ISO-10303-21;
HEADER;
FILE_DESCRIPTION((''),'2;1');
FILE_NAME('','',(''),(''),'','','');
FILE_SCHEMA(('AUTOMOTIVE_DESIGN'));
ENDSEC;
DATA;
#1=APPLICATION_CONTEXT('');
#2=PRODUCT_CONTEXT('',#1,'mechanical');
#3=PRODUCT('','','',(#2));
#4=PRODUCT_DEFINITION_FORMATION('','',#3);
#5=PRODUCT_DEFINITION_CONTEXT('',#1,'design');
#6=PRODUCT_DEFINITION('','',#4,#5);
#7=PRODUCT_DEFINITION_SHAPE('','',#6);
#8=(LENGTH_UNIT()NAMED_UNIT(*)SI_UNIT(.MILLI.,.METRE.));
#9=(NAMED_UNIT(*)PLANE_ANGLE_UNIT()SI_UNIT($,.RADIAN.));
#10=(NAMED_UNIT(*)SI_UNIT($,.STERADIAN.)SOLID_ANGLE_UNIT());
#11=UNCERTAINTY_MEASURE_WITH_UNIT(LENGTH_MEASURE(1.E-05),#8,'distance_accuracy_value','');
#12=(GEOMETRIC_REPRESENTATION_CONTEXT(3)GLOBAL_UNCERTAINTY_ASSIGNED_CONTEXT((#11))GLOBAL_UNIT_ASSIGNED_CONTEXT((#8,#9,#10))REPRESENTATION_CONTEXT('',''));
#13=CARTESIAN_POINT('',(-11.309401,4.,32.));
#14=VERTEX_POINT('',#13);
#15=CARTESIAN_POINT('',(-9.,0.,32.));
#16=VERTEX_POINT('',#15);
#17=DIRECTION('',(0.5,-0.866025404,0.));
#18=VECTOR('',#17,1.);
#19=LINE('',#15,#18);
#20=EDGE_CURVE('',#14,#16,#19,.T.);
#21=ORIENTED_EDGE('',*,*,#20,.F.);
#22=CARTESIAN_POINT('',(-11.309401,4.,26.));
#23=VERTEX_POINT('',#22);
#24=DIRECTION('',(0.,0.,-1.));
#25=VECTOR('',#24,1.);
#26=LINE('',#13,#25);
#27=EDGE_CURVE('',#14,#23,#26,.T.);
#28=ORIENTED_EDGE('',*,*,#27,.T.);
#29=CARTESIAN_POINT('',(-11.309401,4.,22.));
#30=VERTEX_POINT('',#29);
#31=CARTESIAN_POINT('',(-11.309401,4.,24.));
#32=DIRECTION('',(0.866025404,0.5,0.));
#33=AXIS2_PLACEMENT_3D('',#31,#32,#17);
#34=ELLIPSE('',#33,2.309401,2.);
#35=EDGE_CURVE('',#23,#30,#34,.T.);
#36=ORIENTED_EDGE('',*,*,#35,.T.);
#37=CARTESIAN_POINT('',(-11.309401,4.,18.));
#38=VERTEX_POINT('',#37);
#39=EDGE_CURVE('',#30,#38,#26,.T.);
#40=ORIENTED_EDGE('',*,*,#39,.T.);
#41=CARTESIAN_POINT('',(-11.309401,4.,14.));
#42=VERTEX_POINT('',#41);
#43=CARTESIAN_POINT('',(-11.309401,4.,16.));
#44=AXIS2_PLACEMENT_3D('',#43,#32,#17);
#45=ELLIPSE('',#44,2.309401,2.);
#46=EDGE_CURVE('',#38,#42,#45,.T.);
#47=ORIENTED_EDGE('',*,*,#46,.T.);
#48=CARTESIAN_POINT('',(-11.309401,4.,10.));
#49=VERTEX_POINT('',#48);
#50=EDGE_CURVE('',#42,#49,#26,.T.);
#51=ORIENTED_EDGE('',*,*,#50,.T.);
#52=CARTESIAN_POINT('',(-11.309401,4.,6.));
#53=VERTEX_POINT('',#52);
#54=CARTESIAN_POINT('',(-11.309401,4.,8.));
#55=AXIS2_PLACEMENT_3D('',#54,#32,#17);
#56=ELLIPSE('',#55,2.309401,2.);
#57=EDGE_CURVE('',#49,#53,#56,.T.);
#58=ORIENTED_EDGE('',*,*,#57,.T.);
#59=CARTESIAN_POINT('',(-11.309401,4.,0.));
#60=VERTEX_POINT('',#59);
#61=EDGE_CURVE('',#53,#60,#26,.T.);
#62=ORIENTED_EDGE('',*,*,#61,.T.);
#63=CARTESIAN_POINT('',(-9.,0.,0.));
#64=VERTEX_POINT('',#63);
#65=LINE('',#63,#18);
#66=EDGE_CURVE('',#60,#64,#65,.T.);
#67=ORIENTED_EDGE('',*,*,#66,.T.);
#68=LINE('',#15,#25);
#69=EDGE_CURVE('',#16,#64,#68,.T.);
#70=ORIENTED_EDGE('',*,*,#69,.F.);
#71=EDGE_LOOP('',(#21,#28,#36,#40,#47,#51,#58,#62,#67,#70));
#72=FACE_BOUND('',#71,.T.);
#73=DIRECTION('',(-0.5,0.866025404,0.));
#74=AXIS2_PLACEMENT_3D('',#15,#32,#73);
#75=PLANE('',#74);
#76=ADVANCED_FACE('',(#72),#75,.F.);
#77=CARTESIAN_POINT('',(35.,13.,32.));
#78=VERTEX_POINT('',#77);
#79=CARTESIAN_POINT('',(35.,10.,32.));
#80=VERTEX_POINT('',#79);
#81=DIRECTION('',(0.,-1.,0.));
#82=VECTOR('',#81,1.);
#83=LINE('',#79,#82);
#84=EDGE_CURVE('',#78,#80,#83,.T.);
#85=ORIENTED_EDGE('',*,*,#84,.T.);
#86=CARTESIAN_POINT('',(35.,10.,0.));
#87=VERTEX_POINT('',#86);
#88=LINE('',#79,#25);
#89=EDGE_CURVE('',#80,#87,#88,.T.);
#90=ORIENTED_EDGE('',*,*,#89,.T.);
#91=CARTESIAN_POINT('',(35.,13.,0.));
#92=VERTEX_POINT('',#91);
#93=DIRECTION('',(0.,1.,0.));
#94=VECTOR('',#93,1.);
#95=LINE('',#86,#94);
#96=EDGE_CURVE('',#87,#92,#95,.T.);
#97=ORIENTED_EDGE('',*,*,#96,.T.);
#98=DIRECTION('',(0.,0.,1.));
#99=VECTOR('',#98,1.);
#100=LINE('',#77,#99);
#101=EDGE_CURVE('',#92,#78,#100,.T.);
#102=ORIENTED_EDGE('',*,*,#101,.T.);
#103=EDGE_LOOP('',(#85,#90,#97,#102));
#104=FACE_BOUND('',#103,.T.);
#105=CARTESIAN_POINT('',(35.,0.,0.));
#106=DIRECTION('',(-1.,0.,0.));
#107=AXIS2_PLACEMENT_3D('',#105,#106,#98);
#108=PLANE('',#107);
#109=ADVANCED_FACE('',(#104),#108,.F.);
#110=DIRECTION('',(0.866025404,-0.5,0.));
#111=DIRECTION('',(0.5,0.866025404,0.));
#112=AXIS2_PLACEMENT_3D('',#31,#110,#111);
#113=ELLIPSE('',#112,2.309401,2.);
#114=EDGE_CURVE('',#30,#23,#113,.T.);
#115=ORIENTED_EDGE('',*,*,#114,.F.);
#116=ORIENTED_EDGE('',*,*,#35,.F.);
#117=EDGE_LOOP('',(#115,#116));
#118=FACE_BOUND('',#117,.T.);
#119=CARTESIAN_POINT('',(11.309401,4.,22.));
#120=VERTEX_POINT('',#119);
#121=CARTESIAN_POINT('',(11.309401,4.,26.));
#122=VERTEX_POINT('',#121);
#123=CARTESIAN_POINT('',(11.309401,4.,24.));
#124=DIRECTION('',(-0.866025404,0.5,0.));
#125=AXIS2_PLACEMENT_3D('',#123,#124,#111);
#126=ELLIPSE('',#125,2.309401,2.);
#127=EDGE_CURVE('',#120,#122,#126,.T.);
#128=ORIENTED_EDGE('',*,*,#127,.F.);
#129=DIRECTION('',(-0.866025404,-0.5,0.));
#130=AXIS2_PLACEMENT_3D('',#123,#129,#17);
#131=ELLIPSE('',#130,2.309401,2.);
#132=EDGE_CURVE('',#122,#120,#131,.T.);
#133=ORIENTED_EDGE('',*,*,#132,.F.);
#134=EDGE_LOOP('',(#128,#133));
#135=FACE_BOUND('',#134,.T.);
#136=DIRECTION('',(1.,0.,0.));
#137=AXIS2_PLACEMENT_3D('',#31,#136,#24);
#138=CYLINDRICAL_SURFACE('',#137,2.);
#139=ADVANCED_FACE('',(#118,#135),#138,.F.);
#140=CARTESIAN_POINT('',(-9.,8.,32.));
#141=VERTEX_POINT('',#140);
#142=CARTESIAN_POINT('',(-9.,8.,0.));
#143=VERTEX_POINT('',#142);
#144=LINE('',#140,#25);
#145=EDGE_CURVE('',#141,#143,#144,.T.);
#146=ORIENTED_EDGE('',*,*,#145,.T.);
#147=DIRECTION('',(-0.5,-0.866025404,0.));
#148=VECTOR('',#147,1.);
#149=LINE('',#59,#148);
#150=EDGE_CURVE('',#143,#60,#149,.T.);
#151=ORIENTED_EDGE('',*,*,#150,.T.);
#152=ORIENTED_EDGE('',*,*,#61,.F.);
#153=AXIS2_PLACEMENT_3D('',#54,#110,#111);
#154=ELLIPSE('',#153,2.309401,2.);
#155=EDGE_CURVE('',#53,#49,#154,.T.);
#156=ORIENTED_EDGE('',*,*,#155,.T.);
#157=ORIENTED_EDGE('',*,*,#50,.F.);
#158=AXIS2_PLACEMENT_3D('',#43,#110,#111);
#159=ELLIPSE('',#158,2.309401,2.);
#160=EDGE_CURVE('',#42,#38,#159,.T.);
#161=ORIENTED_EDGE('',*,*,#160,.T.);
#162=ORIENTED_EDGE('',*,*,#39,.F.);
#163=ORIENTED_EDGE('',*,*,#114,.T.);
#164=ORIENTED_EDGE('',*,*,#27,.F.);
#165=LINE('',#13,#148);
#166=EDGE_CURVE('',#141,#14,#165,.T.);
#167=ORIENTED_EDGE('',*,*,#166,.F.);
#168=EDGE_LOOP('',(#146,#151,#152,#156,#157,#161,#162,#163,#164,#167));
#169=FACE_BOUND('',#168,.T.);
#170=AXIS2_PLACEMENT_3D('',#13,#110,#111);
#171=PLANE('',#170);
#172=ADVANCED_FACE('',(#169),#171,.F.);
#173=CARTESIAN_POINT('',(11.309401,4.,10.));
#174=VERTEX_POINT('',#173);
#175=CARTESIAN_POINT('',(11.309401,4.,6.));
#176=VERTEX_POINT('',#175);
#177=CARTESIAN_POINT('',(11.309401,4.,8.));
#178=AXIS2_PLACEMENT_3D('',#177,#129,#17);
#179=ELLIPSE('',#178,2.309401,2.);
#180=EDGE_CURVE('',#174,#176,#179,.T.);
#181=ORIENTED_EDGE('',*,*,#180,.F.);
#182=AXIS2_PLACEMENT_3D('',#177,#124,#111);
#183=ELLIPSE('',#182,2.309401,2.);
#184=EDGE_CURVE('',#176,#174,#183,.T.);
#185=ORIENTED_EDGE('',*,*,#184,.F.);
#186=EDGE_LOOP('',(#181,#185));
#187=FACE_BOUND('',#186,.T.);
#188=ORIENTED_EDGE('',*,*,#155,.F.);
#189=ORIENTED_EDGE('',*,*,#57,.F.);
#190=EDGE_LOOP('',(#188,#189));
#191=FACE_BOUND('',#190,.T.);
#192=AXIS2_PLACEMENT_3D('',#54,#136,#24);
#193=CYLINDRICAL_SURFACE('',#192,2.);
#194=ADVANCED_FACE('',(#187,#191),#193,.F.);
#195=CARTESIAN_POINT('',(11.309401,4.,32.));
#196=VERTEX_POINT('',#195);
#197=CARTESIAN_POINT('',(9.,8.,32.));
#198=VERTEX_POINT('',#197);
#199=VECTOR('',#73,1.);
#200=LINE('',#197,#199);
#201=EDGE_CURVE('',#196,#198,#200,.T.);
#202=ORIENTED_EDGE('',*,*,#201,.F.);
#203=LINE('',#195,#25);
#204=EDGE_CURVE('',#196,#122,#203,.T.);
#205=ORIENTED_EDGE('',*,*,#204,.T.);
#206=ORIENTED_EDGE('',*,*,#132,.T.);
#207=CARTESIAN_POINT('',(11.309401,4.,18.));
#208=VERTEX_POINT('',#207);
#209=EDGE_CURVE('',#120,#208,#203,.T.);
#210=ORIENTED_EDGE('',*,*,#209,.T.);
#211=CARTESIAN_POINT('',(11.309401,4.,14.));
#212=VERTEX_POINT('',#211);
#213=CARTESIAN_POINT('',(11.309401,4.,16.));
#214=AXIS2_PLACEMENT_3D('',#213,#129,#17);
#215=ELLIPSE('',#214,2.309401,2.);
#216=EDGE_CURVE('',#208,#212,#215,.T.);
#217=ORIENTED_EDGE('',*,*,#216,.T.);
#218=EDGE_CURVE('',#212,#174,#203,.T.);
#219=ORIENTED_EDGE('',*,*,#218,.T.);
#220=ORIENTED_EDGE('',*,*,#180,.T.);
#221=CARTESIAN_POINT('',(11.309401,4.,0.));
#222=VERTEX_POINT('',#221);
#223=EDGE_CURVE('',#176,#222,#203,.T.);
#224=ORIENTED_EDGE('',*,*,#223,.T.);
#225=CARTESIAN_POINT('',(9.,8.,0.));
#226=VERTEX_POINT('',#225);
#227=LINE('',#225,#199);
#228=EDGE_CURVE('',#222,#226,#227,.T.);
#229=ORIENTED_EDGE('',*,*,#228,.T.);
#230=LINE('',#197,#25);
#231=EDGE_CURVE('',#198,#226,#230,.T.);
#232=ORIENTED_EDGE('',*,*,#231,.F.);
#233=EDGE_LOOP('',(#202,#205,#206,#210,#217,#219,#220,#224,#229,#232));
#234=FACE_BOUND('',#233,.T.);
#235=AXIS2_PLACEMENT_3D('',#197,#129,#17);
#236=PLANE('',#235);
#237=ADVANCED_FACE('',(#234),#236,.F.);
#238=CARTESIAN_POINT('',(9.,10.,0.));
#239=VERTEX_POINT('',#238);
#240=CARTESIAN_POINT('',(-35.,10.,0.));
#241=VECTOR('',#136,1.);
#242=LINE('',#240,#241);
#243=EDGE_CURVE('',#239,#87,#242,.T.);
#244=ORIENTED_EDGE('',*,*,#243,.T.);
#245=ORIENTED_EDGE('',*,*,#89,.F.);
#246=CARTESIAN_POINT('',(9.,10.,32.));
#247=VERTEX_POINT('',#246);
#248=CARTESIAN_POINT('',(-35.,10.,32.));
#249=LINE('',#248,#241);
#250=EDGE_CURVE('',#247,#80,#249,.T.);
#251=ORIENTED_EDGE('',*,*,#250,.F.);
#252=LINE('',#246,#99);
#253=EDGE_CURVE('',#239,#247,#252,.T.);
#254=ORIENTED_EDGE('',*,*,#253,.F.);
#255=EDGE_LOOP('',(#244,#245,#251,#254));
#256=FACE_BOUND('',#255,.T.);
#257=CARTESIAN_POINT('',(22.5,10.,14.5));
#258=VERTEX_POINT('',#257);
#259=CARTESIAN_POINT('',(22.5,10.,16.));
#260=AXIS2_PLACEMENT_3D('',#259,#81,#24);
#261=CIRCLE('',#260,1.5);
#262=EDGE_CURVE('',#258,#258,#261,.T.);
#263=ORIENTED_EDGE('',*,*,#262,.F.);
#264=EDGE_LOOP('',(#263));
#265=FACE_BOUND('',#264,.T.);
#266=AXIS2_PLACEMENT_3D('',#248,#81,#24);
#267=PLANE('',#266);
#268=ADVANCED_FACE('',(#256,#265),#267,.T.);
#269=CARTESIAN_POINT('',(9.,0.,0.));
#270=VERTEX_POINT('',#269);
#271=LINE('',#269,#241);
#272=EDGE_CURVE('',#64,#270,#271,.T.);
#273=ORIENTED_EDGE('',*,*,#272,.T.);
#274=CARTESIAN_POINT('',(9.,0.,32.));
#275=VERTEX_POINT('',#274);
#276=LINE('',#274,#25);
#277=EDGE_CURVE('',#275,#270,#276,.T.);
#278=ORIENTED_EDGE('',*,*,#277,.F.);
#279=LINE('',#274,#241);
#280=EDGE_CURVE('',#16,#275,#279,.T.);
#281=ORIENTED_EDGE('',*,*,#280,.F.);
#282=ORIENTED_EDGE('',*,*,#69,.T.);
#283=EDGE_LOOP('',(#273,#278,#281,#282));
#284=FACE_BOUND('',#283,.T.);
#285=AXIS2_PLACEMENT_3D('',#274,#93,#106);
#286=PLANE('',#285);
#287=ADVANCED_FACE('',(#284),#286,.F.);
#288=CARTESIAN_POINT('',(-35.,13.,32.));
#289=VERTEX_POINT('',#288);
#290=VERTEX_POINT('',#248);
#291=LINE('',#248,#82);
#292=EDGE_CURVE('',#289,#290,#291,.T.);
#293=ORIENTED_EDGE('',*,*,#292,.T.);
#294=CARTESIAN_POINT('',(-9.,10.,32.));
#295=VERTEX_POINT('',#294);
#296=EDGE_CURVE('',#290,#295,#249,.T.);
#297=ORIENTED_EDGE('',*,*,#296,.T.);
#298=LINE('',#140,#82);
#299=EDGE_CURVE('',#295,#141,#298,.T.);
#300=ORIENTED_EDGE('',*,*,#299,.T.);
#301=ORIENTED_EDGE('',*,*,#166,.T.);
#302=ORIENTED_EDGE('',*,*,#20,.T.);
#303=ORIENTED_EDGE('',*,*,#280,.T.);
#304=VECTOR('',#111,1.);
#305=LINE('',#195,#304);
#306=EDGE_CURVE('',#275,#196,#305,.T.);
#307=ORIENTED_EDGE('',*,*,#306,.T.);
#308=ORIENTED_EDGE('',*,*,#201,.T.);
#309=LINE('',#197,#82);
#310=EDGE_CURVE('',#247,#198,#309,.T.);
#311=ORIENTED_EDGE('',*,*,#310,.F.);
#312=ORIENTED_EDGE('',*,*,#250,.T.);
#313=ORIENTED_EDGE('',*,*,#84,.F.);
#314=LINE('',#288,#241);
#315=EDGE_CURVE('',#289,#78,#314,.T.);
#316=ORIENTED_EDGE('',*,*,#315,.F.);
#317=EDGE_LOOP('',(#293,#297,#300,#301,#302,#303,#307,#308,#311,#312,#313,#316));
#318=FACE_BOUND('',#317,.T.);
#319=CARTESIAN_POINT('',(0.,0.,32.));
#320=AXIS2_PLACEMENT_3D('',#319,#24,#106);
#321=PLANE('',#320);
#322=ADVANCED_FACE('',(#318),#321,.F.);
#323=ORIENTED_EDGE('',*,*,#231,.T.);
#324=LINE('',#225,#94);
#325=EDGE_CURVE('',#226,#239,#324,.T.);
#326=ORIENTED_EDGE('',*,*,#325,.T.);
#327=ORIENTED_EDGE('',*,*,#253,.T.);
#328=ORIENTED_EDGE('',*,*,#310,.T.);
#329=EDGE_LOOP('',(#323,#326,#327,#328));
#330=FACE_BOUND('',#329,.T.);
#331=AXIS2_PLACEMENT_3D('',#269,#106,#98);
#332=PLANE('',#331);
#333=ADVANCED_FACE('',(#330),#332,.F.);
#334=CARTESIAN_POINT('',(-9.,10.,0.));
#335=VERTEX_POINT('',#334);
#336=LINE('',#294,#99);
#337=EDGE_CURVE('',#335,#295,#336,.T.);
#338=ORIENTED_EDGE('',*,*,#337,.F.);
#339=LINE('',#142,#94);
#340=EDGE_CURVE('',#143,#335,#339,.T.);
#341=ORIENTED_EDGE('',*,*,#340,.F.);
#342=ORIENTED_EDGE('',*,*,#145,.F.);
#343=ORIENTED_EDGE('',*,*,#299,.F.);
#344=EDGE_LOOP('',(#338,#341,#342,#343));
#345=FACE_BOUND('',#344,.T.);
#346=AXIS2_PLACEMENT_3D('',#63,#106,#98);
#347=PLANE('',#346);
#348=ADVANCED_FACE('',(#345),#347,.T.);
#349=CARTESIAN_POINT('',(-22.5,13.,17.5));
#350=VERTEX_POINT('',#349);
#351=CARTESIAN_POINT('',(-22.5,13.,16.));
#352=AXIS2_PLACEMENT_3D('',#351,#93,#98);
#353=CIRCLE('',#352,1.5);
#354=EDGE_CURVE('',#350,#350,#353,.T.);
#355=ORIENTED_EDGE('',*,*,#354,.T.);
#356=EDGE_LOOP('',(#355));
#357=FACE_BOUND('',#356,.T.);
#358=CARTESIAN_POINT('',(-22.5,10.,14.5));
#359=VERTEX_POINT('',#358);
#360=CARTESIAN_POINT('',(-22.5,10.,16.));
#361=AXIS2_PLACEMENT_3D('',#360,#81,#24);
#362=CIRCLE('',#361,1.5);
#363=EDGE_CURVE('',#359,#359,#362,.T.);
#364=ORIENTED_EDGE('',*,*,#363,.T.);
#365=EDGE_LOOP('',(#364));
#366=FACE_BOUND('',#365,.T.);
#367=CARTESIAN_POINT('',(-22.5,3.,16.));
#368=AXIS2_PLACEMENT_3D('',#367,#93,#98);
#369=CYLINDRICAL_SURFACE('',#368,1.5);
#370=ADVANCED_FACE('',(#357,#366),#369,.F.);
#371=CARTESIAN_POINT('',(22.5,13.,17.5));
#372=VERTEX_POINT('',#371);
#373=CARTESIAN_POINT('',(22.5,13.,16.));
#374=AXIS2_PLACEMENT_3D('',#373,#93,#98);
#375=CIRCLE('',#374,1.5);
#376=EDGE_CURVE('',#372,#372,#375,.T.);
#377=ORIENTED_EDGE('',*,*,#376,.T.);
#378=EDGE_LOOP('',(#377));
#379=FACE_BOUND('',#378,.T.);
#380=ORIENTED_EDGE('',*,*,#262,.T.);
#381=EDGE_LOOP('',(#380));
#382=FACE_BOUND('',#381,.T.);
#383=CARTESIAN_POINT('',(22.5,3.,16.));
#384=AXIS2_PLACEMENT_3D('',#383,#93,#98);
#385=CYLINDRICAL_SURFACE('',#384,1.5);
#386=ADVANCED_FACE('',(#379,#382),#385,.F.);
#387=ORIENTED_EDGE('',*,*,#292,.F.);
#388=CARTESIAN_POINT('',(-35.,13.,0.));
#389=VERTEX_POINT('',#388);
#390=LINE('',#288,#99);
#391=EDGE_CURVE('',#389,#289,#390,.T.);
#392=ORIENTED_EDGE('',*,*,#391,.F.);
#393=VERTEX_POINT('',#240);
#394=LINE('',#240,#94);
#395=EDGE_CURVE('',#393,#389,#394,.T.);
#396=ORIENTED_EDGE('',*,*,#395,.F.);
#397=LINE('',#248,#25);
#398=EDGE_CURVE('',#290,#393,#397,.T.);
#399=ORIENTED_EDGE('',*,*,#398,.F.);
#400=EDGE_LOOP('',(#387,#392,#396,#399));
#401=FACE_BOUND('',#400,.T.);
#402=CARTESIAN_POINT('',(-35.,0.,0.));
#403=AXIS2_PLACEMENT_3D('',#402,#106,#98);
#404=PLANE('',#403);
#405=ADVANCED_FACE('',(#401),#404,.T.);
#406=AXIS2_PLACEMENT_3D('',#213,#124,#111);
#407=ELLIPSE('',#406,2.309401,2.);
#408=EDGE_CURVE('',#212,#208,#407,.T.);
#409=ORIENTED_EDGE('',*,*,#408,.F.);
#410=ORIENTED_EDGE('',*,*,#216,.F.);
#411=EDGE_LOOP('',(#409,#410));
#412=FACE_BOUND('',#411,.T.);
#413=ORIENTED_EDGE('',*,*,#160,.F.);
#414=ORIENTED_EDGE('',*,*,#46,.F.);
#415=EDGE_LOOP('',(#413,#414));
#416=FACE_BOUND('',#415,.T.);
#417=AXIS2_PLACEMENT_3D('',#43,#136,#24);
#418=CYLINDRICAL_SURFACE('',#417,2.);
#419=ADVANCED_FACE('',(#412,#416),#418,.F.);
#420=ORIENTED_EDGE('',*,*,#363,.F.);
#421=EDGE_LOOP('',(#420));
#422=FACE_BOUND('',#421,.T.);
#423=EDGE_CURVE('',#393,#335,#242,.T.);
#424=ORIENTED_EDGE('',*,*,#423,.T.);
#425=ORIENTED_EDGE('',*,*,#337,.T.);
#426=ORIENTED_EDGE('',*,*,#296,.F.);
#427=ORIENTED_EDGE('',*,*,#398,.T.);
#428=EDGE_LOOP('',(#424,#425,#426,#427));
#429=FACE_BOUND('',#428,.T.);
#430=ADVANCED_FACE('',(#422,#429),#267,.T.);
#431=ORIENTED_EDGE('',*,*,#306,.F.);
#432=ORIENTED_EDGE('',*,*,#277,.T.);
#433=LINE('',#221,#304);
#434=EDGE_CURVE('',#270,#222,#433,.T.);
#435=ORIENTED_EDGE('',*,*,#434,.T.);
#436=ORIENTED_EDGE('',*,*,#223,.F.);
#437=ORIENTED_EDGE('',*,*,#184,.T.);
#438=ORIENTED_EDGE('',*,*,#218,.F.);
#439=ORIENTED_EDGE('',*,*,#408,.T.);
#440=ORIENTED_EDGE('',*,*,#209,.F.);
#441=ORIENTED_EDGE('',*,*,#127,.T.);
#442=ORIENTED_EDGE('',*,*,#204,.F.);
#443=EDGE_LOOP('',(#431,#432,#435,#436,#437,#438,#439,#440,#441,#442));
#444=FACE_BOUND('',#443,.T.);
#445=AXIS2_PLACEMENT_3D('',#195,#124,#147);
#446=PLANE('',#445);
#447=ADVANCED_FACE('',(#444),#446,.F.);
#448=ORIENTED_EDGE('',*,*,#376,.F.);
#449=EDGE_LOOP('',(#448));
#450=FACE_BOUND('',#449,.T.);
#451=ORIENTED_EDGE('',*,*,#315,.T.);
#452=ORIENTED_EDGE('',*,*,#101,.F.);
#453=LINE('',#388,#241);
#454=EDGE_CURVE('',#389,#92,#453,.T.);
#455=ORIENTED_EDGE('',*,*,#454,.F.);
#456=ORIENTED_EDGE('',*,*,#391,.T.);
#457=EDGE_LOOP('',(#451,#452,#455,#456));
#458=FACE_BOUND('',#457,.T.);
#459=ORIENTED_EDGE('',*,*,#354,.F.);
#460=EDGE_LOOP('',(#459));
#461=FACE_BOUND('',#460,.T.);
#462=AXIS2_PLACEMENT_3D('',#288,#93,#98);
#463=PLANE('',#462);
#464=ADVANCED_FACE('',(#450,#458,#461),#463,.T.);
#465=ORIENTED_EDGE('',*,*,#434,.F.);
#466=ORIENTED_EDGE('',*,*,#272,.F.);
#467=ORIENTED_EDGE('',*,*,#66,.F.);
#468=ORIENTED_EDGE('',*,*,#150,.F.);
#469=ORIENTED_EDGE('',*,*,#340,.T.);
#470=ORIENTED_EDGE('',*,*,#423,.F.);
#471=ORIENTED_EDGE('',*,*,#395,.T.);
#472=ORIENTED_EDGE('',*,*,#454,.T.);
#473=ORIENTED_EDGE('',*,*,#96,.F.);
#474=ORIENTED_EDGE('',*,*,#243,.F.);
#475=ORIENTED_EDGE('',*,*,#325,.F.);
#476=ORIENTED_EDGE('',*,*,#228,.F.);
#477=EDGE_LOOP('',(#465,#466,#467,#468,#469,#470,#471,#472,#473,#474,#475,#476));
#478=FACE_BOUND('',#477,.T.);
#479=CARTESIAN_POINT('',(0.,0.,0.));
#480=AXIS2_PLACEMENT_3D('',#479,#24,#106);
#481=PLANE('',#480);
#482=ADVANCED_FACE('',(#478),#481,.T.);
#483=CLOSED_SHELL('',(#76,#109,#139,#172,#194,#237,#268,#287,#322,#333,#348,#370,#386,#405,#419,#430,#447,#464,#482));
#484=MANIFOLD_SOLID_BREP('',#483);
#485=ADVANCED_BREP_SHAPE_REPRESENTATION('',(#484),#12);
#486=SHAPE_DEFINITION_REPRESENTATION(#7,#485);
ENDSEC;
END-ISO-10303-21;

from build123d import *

# Parameters (mm, degrees)
BOSS_EXTRUDE1_DEPTH      = 32
SKETCH2_R                = 2
CUT_EXTRUDE1_DEPTH       = 35.869794274
LPATTERN1_COUNT          = 3
LPATTERN1_PITCH          = 8
BOSS_EXTRUDE2_DEPTH      = 9
BOSS_EXTRUDE2_DEPTH_BACK = 9
SKETCH3_W                = 32
SKETCH3_H                = 2
BOSS_EXTRUDE3_DEPTH      = 35
BOSS_EXTRUDE3_DEPTH_BACK = 35
SKETCH4_W                = 32
SKETCH4_H                = 3
SKETCH5_R                = 1.5
CUT_EXTRUDE2_DEPTH       = 10


with BuildPart() as part:
    # Sketch1 → Boss-Extrude1 (new body)
    with BuildSketch(Plane.XY):
        Polygon((9, 0), (-9, 0), (-11.309401077, 4), (-9, 8), (9, 8), (11.309401077, 4), align=None)
    extrude(amount=BOSS_EXTRUDE1_DEPTH)

    # Sketch2 → Cut-Extrude1 (cut, symmetric)
    with BuildSketch(Plane(origin=(0, 0, 0), x_dir=(0, 0, -1), z_dir=(1, 0, 0))):
        with Locations((-24, 4)):
            Circle(SKETCH2_R)
    cut_extrude1 = extrude(amount=CUT_EXTRUDE1_DEPTH, both=True, mode=Mode.SUBTRACT)

    # LPattern1: Cut-Extrude1 ×3
    with Locations(*[(0, 0, -i * LPATTERN1_PITCH) for i in range(1, LPATTERN1_COUNT)]):
        add(cut_extrude1, mode=Mode.SUBTRACT)

    # Sketch3 → Boss-Extrude2 (add, two sides: drawn at the far end of the back side and taken through both)
    with BuildSketch(Plane(origin=(0, 0, 0), x_dir=(0, 0, -1), z_dir=(1, 0, 0)).offset(-BOSS_EXTRUDE2_DEPTH_BACK)):
        with Locations((-16, 9)):
            Rectangle(SKETCH3_W, SKETCH3_H)
    extrude(amount=BOSS_EXTRUDE2_DEPTH + BOSS_EXTRUDE2_DEPTH_BACK)

    # Sketch4 → Boss-Extrude3 (add, two sides: drawn at the far end of the back side and taken through both)
    with BuildSketch(Plane(origin=(0, 0, 0), x_dir=(0, 0, -1), z_dir=(1, 0, 0)).offset(-BOSS_EXTRUDE3_DEPTH_BACK)):
        with Locations((-16, 11.5)):
            Rectangle(SKETCH4_W, SKETCH4_H)
    extrude(amount=BOSS_EXTRUDE3_DEPTH + BOSS_EXTRUDE3_DEPTH_BACK)

    # Sketch5 → Cut-Extrude2 (cut)
    with BuildSketch(Plane(origin=(0, 13, 0), x_dir=(1, 0, 0), z_dir=(0, 1, 0))):
        with Locations(Location((-22.5, -16, 0), (0, 0, 270))):
            Circle(SKETCH5_R)
        with Locations(Location((22.5, -16, 0), (0, 0, 270))):
            Circle(SKETCH5_R)
    extrude(amount=-CUT_EXTRUDE2_DEPTH, mode=Mode.SUBTRACT)


solid = part.part
